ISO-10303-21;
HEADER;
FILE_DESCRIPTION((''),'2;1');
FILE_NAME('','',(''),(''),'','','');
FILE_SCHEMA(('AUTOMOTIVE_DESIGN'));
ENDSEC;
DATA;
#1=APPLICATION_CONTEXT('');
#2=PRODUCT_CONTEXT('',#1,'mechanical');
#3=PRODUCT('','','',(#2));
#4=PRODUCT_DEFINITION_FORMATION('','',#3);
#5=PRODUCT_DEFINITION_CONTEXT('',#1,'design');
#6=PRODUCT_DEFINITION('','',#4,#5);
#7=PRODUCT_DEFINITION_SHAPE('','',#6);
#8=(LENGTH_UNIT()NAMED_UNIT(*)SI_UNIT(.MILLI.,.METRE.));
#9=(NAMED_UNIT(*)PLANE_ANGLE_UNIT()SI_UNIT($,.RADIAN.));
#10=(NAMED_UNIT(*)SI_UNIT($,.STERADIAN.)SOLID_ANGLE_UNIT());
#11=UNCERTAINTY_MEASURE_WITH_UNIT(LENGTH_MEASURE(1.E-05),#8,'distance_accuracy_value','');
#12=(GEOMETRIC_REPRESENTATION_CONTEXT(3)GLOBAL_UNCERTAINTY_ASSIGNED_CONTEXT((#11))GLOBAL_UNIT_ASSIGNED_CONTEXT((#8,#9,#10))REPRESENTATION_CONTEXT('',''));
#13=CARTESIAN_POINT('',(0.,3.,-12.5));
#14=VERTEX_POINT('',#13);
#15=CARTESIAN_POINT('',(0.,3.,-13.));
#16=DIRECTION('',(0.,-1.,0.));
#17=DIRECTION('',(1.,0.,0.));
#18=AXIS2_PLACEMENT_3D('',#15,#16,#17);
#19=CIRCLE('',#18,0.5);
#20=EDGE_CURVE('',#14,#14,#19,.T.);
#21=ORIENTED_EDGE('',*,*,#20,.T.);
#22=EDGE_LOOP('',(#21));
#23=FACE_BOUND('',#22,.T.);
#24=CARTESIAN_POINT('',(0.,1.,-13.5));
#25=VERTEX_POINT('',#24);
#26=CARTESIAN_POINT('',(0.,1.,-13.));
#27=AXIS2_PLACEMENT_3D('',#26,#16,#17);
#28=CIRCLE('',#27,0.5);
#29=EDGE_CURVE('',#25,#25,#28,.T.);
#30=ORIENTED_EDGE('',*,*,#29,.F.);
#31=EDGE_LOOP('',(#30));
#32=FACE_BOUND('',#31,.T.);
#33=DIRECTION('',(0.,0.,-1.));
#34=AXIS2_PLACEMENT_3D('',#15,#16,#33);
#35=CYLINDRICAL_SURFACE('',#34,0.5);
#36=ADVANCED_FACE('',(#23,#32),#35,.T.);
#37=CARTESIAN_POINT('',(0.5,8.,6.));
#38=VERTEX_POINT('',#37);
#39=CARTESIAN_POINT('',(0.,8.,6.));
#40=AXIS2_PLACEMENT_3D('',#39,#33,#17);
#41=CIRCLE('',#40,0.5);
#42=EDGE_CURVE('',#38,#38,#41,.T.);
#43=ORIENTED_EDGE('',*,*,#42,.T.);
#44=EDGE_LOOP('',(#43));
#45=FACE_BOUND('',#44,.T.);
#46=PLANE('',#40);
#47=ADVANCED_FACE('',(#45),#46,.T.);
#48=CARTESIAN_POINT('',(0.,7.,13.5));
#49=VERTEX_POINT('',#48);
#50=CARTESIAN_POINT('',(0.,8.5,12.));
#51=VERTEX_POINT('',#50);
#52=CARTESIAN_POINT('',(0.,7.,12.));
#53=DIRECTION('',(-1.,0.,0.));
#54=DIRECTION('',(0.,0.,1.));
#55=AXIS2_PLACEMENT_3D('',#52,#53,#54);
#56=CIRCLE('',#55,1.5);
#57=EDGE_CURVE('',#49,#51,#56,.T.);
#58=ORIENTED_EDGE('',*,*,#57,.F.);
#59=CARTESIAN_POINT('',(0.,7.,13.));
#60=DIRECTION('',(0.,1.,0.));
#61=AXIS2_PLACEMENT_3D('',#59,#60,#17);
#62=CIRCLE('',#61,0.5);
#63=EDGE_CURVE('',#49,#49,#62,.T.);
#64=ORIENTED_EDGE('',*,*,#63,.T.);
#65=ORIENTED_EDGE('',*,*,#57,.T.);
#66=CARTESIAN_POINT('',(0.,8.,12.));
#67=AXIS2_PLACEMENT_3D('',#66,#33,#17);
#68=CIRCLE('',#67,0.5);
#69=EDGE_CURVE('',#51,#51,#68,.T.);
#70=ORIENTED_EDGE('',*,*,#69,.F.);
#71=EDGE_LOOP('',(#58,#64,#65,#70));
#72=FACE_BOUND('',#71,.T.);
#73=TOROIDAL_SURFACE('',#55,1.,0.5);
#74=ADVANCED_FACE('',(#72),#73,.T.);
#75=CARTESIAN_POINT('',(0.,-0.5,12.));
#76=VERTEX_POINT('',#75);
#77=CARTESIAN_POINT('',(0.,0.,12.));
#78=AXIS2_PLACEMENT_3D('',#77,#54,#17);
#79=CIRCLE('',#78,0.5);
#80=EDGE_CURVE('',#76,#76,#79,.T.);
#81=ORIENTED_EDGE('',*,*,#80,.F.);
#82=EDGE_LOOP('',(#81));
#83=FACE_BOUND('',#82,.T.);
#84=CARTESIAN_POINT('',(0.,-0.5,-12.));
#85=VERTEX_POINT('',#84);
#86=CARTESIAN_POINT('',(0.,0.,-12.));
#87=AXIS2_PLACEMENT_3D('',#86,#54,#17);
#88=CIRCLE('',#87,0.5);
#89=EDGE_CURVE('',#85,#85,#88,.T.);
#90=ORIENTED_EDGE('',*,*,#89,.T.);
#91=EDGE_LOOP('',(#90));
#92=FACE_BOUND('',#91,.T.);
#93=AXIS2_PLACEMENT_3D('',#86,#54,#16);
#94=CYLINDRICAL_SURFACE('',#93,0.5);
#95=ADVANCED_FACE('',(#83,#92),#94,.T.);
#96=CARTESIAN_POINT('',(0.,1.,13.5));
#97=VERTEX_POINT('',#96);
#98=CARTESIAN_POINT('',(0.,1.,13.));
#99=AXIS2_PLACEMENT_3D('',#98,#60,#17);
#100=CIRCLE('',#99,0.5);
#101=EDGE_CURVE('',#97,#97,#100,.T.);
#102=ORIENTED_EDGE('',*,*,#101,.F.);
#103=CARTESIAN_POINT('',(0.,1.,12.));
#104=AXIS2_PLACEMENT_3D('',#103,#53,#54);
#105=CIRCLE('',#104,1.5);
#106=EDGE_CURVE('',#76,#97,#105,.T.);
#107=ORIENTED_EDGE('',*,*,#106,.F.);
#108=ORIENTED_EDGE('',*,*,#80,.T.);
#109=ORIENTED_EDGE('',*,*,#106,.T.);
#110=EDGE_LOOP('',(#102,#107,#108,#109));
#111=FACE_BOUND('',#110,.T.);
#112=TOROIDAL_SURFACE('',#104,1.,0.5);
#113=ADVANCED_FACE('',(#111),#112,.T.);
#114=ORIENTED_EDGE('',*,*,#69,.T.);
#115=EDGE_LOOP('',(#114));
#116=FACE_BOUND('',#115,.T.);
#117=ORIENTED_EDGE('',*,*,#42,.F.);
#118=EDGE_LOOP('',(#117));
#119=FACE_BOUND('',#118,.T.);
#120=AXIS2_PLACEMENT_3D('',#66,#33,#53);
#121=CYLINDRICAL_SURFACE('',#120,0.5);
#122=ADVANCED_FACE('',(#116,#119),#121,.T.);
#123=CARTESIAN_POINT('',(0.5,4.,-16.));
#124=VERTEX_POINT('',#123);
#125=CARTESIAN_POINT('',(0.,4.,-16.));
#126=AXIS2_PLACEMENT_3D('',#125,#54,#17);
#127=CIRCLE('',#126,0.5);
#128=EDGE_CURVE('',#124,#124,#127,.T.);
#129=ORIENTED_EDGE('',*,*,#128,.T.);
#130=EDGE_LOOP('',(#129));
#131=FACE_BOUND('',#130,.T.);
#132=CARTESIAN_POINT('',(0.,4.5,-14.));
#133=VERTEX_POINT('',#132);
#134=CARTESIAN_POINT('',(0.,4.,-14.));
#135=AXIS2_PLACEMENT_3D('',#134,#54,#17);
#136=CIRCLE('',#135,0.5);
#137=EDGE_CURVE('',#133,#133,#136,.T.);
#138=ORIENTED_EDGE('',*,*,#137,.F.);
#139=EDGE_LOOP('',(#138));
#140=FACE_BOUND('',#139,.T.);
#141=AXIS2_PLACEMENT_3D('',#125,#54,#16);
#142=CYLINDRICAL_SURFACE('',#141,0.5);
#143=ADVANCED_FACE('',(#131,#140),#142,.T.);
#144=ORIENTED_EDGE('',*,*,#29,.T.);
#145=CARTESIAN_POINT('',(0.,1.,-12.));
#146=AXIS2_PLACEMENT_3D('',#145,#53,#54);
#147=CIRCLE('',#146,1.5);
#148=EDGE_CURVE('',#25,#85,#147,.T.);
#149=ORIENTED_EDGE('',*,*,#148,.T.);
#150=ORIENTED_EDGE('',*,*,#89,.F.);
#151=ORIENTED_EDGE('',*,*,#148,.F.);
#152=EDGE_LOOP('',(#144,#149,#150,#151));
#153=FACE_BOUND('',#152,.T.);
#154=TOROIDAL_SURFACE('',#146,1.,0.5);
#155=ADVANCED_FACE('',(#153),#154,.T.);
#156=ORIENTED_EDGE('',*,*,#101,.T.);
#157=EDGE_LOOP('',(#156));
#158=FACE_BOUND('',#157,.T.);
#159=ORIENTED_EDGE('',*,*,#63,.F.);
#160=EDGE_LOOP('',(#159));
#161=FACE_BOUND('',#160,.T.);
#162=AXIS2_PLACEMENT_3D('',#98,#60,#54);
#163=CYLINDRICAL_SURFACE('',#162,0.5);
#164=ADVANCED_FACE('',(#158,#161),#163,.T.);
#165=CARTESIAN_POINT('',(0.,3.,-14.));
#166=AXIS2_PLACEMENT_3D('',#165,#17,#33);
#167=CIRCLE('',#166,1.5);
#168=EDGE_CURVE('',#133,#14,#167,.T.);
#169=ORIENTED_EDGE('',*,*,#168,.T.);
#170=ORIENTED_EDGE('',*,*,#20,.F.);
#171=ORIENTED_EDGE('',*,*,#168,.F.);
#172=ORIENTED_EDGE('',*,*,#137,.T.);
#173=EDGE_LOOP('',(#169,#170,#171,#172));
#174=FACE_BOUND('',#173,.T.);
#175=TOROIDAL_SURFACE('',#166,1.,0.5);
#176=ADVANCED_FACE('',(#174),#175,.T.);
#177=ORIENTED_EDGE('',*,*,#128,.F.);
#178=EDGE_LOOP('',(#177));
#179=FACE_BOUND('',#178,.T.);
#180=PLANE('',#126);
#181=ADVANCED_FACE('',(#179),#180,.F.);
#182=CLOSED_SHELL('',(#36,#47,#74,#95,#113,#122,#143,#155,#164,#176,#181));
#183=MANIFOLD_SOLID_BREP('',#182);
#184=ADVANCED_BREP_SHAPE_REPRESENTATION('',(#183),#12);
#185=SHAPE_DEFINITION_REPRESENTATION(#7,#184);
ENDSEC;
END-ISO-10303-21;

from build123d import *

# Parameters (mm, degrees)
SKETCH3_R = 0.5


with BuildPart() as part:
    # Sweep2: sweep along a path in Sketch1
    with BuildLine(Plane(origin=(0, 0, 0), x_dir=(0, 0, -1), z_dir=(1, 0, 0))) as sweep2_path:
        Line((16, 4), (14, 4))
        ThreePointArc((14, 4), (13.292893219, 3.707106781), (13, 3))
        Line((13, 3), (13, 1))
        ThreePointArc((13, 1), (12.707106781, 0.292893219), (12, 0))
        Line((12, 0), (-12, 0))
        ThreePointArc((-12, 0), (-12.707106781, 0.292893219), (-13, 1))
        Line((-13, 1), (-13, 7))
        ThreePointArc((-13, 7), (-12.707106781, 7.707106781), (-12, 8))
        Line((-12, 8), (-6, 8))
    # Sketch3 → Sweep2 (sweep)
    with BuildSketch(Plane.XY):
        Circle(SKETCH3_R)
    sweep(path=sweep2_path.line)


solid = part.part
